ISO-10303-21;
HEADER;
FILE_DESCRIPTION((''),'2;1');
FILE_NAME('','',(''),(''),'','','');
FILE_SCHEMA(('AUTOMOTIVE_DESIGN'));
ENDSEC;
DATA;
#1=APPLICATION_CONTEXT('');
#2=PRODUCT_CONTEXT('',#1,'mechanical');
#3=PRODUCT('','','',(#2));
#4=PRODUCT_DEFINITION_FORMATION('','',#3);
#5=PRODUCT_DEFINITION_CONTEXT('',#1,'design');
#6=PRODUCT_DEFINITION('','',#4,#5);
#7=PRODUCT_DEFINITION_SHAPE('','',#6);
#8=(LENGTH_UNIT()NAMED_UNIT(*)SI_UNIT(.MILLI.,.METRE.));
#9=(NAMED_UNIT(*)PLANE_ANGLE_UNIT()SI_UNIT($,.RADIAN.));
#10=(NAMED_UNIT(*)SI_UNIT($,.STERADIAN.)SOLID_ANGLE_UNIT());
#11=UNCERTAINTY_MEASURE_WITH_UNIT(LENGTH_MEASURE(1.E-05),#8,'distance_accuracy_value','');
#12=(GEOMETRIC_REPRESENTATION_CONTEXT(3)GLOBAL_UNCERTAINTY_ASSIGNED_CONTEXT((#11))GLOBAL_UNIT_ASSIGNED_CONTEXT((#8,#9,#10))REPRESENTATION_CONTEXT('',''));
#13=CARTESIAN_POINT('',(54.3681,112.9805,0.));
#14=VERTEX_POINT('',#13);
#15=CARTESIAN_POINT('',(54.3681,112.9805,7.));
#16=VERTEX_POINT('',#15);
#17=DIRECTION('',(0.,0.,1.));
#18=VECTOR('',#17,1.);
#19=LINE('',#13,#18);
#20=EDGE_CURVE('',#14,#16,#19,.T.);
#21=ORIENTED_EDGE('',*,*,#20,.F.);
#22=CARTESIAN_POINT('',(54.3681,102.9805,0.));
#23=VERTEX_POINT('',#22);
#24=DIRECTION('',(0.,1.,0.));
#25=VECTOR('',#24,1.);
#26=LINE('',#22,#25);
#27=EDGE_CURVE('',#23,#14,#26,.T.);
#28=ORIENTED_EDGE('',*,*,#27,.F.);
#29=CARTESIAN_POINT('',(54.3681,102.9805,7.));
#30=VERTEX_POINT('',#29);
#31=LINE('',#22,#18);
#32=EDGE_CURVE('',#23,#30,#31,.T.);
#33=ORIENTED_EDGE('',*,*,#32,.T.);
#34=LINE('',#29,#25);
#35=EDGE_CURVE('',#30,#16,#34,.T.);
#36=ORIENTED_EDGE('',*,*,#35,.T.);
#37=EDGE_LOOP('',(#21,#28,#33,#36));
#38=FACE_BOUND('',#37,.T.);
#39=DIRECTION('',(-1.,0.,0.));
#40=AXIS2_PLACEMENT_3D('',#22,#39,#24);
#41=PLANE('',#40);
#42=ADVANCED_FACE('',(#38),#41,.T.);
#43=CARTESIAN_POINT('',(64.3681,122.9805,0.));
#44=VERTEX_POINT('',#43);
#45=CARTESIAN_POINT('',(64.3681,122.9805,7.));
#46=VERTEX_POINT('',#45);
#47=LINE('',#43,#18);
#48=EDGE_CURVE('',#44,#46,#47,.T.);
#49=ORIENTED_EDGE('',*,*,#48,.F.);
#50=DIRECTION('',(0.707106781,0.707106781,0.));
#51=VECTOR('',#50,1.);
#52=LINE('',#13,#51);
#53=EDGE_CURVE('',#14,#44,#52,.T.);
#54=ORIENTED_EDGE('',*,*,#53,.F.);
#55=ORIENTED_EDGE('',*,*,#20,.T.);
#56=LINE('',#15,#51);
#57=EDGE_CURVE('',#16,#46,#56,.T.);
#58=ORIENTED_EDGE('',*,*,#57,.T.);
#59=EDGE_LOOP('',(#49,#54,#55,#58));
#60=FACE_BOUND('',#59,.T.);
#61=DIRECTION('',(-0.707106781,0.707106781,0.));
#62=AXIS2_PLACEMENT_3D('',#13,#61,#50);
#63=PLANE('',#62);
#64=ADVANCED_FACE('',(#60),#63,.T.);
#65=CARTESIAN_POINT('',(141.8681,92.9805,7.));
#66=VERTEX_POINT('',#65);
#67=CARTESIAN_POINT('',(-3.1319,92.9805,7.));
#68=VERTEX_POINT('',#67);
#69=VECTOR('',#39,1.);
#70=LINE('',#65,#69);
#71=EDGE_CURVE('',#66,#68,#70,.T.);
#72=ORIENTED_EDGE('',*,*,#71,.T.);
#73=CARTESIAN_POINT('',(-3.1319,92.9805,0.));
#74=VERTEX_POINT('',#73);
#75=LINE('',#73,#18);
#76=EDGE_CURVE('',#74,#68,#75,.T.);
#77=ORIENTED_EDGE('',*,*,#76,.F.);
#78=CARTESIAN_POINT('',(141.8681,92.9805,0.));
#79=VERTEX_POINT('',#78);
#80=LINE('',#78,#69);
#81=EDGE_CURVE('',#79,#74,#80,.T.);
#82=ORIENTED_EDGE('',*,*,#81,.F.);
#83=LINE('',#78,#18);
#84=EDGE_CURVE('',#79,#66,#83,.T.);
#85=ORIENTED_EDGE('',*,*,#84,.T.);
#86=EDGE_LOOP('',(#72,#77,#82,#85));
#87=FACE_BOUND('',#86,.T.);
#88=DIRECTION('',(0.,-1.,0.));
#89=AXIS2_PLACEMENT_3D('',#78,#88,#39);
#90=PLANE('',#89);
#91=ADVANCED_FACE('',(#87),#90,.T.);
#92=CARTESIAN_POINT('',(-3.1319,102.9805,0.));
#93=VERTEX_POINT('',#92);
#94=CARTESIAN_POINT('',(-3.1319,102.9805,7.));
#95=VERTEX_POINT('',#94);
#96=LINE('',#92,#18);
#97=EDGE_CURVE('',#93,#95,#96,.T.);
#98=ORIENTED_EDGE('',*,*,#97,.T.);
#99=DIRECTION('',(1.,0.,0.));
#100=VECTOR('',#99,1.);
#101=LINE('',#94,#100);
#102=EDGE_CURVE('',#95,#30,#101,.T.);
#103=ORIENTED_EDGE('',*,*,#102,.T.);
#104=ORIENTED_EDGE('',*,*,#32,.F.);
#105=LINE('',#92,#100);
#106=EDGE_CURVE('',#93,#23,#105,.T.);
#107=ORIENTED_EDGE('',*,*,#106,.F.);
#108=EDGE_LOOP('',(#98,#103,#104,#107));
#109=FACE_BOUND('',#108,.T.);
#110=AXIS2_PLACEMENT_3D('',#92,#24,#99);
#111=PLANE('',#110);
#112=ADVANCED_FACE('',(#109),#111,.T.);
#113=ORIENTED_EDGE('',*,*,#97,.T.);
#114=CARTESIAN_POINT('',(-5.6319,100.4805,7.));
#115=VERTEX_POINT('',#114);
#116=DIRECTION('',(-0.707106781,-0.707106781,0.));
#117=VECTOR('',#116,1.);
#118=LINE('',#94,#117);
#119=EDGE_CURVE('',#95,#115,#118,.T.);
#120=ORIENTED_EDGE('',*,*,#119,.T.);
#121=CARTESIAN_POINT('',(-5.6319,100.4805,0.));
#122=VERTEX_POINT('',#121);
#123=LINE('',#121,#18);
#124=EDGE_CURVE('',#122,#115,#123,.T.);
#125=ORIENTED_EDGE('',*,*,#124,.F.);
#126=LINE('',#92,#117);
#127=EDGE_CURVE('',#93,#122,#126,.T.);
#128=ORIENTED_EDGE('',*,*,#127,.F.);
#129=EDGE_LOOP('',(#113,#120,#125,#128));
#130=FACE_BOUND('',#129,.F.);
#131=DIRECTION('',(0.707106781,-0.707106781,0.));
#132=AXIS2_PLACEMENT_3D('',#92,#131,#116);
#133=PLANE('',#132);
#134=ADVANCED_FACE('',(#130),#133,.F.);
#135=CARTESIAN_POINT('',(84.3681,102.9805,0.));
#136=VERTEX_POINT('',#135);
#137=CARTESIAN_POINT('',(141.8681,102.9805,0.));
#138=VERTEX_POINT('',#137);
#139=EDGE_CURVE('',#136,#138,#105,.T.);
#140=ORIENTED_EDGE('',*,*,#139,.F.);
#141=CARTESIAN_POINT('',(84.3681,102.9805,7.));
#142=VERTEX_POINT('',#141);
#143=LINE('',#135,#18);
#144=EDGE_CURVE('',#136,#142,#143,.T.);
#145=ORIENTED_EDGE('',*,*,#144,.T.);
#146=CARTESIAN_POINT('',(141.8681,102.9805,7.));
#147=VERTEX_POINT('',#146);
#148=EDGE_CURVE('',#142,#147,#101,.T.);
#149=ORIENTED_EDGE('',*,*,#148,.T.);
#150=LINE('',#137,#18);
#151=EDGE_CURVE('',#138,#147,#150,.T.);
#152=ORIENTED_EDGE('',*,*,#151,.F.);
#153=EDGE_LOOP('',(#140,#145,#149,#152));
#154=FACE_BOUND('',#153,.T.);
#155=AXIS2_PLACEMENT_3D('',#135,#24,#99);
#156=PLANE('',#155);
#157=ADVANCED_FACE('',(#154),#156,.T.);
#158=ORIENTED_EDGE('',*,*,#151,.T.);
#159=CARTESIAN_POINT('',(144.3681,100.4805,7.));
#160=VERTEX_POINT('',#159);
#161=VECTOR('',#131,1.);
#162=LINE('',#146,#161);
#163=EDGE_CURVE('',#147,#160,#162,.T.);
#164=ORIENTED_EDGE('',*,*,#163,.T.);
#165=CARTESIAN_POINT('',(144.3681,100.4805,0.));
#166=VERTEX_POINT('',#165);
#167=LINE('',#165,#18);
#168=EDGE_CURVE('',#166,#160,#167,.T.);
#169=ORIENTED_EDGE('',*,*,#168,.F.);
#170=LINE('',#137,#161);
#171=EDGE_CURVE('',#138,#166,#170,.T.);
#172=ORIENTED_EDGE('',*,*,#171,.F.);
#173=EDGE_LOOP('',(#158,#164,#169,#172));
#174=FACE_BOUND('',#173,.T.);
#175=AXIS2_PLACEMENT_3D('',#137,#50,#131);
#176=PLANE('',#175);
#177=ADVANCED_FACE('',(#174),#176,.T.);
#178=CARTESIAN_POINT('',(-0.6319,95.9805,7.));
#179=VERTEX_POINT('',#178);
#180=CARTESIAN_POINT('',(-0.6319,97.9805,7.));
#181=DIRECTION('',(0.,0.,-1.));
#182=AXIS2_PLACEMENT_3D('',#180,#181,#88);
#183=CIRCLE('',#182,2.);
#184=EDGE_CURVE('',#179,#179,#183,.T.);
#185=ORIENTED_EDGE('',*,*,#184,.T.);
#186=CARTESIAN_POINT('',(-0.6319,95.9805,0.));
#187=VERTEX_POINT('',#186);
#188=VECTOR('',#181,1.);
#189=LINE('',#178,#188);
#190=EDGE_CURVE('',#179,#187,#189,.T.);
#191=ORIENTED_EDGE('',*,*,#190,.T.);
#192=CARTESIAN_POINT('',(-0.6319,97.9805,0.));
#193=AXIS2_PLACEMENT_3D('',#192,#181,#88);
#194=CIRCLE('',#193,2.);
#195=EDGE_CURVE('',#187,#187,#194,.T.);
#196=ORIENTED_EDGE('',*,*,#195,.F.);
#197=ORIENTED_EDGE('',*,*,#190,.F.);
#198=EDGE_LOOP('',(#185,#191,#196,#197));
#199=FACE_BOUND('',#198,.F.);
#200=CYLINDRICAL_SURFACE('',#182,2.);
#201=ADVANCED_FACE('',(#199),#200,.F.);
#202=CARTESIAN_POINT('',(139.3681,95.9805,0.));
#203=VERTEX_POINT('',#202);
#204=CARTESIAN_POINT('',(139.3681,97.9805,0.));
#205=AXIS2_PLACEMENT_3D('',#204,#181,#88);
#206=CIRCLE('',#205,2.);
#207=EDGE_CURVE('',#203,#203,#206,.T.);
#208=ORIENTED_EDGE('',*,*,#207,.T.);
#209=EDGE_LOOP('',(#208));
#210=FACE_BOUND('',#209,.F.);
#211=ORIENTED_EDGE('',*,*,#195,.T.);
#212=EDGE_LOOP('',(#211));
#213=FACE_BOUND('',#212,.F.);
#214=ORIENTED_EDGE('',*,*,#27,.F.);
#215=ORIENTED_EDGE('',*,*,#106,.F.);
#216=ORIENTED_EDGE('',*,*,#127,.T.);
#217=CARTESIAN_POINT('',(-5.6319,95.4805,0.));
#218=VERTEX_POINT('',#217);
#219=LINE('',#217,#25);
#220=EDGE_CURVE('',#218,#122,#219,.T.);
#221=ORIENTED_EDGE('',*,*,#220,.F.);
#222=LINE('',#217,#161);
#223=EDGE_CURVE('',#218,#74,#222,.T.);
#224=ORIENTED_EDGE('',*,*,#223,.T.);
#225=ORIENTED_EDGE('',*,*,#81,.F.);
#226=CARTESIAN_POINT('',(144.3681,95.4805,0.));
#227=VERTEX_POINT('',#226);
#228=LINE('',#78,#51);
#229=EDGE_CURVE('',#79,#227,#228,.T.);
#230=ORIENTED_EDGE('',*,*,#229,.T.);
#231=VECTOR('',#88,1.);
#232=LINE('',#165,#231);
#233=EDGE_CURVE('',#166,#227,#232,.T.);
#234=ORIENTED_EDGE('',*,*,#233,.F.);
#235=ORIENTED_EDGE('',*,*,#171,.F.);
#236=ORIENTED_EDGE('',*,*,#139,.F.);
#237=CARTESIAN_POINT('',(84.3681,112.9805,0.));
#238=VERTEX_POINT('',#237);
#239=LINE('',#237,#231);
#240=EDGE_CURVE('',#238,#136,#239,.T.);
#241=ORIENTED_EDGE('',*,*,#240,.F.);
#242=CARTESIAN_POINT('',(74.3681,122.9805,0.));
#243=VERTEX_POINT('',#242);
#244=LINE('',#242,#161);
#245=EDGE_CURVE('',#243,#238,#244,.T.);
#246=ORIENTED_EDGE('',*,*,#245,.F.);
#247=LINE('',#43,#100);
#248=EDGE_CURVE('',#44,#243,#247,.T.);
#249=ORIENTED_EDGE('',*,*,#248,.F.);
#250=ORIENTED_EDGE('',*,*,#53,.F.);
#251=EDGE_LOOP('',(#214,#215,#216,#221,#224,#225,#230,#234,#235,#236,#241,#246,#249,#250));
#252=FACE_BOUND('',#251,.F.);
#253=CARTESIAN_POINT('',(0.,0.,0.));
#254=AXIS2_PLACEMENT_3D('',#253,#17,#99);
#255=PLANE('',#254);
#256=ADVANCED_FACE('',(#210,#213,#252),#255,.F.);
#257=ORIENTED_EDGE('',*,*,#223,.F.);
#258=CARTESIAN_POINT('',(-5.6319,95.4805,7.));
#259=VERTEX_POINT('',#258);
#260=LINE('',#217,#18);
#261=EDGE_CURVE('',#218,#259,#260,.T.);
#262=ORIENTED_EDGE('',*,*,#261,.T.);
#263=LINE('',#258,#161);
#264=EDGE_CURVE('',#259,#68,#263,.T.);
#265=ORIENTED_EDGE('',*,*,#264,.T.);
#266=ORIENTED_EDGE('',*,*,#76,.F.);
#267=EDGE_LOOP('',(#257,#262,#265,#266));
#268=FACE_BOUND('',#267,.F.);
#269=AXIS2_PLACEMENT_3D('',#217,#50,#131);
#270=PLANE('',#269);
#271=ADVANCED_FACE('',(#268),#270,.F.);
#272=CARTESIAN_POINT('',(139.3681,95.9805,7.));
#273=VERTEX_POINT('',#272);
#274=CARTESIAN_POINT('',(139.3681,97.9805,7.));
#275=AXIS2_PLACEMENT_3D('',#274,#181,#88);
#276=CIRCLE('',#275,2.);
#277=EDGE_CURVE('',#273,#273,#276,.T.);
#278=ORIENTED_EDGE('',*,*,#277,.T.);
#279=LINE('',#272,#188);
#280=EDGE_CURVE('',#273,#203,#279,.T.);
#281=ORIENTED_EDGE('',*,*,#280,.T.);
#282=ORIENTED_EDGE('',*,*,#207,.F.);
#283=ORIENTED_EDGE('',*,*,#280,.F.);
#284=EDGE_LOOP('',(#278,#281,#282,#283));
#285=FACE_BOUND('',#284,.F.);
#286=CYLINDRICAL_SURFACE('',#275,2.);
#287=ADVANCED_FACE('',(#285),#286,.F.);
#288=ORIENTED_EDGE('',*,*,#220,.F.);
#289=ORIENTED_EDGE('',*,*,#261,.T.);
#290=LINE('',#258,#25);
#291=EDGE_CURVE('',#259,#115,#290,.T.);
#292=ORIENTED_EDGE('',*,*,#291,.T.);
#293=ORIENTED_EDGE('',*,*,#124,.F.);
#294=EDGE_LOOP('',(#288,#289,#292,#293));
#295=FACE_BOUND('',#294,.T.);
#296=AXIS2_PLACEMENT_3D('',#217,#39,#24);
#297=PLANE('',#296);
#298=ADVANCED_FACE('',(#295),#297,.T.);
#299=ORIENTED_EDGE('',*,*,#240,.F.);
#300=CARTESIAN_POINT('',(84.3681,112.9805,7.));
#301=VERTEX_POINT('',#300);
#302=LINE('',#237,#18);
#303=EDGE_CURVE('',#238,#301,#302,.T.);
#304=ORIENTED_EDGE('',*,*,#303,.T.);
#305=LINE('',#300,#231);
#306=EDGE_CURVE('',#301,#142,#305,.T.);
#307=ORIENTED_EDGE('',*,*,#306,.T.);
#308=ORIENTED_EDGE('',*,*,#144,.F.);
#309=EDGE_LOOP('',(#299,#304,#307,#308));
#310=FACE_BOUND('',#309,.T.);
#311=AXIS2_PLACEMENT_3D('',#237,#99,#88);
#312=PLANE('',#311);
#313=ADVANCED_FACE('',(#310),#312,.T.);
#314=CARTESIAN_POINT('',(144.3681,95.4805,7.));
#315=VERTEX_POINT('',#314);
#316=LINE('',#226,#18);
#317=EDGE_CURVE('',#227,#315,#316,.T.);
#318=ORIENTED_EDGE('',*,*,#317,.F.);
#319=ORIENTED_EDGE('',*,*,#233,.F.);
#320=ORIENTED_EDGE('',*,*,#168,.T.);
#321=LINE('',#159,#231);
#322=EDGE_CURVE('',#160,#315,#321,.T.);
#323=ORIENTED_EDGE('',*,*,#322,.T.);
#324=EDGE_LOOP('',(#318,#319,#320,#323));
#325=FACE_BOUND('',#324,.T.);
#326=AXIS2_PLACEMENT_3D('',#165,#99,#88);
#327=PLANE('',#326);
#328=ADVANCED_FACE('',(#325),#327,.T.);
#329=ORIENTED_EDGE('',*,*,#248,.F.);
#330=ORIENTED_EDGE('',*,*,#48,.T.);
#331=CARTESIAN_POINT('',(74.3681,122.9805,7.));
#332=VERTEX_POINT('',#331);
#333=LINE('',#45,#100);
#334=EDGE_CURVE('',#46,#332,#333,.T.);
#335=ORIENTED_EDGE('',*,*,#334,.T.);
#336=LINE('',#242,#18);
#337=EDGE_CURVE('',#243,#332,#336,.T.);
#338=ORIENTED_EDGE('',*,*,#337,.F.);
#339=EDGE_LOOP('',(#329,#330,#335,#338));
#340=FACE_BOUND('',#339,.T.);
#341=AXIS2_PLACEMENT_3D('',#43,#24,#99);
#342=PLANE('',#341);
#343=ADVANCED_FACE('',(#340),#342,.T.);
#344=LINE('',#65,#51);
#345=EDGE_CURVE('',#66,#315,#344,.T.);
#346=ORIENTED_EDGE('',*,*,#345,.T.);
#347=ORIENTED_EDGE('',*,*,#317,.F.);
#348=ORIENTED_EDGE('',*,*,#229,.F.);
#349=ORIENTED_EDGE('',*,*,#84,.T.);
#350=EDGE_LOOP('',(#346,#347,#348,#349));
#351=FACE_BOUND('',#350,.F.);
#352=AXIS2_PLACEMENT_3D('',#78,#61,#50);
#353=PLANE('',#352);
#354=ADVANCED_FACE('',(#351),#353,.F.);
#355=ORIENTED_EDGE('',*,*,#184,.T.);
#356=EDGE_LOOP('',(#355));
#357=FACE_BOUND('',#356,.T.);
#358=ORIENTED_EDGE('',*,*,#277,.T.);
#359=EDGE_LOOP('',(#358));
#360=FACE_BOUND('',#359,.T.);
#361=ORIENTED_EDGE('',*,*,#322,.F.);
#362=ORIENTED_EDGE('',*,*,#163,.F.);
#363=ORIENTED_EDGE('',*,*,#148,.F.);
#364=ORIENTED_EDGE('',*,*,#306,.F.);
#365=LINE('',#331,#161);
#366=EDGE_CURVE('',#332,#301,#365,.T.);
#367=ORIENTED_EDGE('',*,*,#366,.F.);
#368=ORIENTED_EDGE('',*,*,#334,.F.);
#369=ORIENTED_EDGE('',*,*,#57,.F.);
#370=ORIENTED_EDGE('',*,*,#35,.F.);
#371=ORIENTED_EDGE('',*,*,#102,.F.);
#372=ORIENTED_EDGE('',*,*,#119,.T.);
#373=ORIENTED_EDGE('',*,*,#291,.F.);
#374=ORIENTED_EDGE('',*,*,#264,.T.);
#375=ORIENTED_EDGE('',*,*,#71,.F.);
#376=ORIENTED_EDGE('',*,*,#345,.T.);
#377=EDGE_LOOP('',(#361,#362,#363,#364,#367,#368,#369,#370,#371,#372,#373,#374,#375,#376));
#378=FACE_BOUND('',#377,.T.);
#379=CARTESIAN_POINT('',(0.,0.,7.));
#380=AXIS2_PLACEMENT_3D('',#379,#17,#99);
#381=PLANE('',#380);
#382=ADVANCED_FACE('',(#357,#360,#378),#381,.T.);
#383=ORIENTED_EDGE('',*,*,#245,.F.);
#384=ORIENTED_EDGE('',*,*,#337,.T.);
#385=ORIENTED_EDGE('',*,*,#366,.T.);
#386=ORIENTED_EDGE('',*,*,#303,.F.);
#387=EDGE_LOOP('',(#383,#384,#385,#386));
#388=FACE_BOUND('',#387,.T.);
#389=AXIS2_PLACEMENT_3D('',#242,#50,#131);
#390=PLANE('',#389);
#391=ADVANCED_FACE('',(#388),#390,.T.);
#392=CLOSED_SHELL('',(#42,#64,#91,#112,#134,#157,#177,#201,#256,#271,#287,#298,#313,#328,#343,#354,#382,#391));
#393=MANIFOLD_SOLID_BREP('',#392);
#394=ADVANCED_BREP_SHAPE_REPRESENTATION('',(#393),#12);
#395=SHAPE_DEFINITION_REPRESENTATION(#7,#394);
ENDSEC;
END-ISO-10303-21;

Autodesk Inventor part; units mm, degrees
ref_plane "YZ Plane" through (0, 0, 0) normal (1, 0, 0) x (0, 1, 0)
ref_plane "XZ Plane" through (0, 0, 0) normal (0, 1, 0) x (-1, 0, 0)
ref_plane "XY Plane" through (0, 0, 0) normal (0, 0, 1) x (1, 0, 0)
sketch "Sketch1" plane through (0, 0, 0) normal (0, 0, 1) x (1, 0, 0)
  line L0 (-3.1319, 102.9805) -> (141.8681, 102.9805)
  line L1 (144.3681, 100.4805) -> (144.3681, 95.4805)
  line L2 (141.8681, 92.9805) -> (-3.1319, 92.9805)
  line L3 (-5.6319, 95.4805) -> (-5.6319, 100.4805)
  line L4 (141.8681, 102.9805) -> (144.3681, 100.4805)
  line L5 (-3.1319, 102.9805) -> (-5.6319, 100.4805)
  line L6 (-5.6319, 95.4805) -> (-3.1319, 92.9805)
  line L7 (141.8681, 92.9805) -> (144.3681, 95.4805)
  line L8 (69.3681, 92.9805) -> (69.3681, 132.9805) construction
  line L9 (84.3681, 102.9805) -> (54.3681, 102.9805)
  line L10 (54.3681, 102.9805) -> (54.3681, 112.9805)
  line L11 (64.3681, 122.9805) -> (74.3681, 122.9805)
  line L12 (84.3681, 112.9805) -> (84.3681, 102.9805)
  line L13 (74.3681, 122.9805) -> (84.3681, 112.9805)
  line L14 (54.3681, 112.9805) -> (64.3681, 122.9805)
  circle A0 centre (69.3681, 107.9805) radius 12.5 construction
  point P0 (0, 0)
  point P1 (-5.6319, 102.9805)
  point P2 (144.3681, 92.9805)
  point P3 (144.3681, 102.9805)
  point P4 (-5.6319, 92.9805)
  point P5 (54.3681, 122.9805)
  point P6 (84.3681, 122.9805)
  dimension "d0" = 150
  dimension "d1" = 10
  dimension "d2" = 2.5
  dimension "d3" = 2.5
  dimension "d4" = 2.5
  dimension "d5" = 2.5
  dimension "d6" = 2.5
  dimension "d7" = 2.5
  dimension "d8" = 2.5
  dimension "d9" = 2.5
  dimension "d12" = 40
  dimension "d13" = 30
  dimension "d14" = 20
  dimension "d15" = 15
  dimension "d16" = 10
  dimension "d17" = 10
  dimension "d18" = 10
  dimension "d19" = 10
  dimension "d20" = 25
extrude "Extrusion1" add sketch "Sketch1" along normal blind 7
sketch "Sketch2" plane through (0, 0, 7) normal (0, 0, 1) x (1, 0, 0)
  line L0 (74.3681, 122.9805) -> (64.3681, 122.9805) construction
  line L1 (69.3681, 122.9805) -> (69.3681, 92.9805) construction
  line L2 (-3.1319, 92.9805) -> (141.8681, 92.9805) construction
  line L3 (-5.6319, 100.4805) -> (-5.6319, 95.4805) construction
  point P0 (0, 0)
  point P1 (-0.6319, 97.9805)
  point P2 (139.3681, 97.9805)
  dimension "d21" = 5
hole "Hole1" at (-0.6319, 97.9805, 7) at (139.3681, 97.9805, 7) direction (0, 0, -1) diameter 4 end through all
equation "\"d2\" = d4"
equation "\"d3\" = d2"
equation "\"d5\" = d4"
equation "\"d6\" = d4"
equation "\"d7\" = d6"
equation "\"d8\" = d4"
equation "\"d9\" = d8"
equation "\"d17\" = d16"
equation "\"d18\" = d16"
equation "\"d19\" = d18"
properties part number "Lever" material "MDF Medium Density Fiberboard"
